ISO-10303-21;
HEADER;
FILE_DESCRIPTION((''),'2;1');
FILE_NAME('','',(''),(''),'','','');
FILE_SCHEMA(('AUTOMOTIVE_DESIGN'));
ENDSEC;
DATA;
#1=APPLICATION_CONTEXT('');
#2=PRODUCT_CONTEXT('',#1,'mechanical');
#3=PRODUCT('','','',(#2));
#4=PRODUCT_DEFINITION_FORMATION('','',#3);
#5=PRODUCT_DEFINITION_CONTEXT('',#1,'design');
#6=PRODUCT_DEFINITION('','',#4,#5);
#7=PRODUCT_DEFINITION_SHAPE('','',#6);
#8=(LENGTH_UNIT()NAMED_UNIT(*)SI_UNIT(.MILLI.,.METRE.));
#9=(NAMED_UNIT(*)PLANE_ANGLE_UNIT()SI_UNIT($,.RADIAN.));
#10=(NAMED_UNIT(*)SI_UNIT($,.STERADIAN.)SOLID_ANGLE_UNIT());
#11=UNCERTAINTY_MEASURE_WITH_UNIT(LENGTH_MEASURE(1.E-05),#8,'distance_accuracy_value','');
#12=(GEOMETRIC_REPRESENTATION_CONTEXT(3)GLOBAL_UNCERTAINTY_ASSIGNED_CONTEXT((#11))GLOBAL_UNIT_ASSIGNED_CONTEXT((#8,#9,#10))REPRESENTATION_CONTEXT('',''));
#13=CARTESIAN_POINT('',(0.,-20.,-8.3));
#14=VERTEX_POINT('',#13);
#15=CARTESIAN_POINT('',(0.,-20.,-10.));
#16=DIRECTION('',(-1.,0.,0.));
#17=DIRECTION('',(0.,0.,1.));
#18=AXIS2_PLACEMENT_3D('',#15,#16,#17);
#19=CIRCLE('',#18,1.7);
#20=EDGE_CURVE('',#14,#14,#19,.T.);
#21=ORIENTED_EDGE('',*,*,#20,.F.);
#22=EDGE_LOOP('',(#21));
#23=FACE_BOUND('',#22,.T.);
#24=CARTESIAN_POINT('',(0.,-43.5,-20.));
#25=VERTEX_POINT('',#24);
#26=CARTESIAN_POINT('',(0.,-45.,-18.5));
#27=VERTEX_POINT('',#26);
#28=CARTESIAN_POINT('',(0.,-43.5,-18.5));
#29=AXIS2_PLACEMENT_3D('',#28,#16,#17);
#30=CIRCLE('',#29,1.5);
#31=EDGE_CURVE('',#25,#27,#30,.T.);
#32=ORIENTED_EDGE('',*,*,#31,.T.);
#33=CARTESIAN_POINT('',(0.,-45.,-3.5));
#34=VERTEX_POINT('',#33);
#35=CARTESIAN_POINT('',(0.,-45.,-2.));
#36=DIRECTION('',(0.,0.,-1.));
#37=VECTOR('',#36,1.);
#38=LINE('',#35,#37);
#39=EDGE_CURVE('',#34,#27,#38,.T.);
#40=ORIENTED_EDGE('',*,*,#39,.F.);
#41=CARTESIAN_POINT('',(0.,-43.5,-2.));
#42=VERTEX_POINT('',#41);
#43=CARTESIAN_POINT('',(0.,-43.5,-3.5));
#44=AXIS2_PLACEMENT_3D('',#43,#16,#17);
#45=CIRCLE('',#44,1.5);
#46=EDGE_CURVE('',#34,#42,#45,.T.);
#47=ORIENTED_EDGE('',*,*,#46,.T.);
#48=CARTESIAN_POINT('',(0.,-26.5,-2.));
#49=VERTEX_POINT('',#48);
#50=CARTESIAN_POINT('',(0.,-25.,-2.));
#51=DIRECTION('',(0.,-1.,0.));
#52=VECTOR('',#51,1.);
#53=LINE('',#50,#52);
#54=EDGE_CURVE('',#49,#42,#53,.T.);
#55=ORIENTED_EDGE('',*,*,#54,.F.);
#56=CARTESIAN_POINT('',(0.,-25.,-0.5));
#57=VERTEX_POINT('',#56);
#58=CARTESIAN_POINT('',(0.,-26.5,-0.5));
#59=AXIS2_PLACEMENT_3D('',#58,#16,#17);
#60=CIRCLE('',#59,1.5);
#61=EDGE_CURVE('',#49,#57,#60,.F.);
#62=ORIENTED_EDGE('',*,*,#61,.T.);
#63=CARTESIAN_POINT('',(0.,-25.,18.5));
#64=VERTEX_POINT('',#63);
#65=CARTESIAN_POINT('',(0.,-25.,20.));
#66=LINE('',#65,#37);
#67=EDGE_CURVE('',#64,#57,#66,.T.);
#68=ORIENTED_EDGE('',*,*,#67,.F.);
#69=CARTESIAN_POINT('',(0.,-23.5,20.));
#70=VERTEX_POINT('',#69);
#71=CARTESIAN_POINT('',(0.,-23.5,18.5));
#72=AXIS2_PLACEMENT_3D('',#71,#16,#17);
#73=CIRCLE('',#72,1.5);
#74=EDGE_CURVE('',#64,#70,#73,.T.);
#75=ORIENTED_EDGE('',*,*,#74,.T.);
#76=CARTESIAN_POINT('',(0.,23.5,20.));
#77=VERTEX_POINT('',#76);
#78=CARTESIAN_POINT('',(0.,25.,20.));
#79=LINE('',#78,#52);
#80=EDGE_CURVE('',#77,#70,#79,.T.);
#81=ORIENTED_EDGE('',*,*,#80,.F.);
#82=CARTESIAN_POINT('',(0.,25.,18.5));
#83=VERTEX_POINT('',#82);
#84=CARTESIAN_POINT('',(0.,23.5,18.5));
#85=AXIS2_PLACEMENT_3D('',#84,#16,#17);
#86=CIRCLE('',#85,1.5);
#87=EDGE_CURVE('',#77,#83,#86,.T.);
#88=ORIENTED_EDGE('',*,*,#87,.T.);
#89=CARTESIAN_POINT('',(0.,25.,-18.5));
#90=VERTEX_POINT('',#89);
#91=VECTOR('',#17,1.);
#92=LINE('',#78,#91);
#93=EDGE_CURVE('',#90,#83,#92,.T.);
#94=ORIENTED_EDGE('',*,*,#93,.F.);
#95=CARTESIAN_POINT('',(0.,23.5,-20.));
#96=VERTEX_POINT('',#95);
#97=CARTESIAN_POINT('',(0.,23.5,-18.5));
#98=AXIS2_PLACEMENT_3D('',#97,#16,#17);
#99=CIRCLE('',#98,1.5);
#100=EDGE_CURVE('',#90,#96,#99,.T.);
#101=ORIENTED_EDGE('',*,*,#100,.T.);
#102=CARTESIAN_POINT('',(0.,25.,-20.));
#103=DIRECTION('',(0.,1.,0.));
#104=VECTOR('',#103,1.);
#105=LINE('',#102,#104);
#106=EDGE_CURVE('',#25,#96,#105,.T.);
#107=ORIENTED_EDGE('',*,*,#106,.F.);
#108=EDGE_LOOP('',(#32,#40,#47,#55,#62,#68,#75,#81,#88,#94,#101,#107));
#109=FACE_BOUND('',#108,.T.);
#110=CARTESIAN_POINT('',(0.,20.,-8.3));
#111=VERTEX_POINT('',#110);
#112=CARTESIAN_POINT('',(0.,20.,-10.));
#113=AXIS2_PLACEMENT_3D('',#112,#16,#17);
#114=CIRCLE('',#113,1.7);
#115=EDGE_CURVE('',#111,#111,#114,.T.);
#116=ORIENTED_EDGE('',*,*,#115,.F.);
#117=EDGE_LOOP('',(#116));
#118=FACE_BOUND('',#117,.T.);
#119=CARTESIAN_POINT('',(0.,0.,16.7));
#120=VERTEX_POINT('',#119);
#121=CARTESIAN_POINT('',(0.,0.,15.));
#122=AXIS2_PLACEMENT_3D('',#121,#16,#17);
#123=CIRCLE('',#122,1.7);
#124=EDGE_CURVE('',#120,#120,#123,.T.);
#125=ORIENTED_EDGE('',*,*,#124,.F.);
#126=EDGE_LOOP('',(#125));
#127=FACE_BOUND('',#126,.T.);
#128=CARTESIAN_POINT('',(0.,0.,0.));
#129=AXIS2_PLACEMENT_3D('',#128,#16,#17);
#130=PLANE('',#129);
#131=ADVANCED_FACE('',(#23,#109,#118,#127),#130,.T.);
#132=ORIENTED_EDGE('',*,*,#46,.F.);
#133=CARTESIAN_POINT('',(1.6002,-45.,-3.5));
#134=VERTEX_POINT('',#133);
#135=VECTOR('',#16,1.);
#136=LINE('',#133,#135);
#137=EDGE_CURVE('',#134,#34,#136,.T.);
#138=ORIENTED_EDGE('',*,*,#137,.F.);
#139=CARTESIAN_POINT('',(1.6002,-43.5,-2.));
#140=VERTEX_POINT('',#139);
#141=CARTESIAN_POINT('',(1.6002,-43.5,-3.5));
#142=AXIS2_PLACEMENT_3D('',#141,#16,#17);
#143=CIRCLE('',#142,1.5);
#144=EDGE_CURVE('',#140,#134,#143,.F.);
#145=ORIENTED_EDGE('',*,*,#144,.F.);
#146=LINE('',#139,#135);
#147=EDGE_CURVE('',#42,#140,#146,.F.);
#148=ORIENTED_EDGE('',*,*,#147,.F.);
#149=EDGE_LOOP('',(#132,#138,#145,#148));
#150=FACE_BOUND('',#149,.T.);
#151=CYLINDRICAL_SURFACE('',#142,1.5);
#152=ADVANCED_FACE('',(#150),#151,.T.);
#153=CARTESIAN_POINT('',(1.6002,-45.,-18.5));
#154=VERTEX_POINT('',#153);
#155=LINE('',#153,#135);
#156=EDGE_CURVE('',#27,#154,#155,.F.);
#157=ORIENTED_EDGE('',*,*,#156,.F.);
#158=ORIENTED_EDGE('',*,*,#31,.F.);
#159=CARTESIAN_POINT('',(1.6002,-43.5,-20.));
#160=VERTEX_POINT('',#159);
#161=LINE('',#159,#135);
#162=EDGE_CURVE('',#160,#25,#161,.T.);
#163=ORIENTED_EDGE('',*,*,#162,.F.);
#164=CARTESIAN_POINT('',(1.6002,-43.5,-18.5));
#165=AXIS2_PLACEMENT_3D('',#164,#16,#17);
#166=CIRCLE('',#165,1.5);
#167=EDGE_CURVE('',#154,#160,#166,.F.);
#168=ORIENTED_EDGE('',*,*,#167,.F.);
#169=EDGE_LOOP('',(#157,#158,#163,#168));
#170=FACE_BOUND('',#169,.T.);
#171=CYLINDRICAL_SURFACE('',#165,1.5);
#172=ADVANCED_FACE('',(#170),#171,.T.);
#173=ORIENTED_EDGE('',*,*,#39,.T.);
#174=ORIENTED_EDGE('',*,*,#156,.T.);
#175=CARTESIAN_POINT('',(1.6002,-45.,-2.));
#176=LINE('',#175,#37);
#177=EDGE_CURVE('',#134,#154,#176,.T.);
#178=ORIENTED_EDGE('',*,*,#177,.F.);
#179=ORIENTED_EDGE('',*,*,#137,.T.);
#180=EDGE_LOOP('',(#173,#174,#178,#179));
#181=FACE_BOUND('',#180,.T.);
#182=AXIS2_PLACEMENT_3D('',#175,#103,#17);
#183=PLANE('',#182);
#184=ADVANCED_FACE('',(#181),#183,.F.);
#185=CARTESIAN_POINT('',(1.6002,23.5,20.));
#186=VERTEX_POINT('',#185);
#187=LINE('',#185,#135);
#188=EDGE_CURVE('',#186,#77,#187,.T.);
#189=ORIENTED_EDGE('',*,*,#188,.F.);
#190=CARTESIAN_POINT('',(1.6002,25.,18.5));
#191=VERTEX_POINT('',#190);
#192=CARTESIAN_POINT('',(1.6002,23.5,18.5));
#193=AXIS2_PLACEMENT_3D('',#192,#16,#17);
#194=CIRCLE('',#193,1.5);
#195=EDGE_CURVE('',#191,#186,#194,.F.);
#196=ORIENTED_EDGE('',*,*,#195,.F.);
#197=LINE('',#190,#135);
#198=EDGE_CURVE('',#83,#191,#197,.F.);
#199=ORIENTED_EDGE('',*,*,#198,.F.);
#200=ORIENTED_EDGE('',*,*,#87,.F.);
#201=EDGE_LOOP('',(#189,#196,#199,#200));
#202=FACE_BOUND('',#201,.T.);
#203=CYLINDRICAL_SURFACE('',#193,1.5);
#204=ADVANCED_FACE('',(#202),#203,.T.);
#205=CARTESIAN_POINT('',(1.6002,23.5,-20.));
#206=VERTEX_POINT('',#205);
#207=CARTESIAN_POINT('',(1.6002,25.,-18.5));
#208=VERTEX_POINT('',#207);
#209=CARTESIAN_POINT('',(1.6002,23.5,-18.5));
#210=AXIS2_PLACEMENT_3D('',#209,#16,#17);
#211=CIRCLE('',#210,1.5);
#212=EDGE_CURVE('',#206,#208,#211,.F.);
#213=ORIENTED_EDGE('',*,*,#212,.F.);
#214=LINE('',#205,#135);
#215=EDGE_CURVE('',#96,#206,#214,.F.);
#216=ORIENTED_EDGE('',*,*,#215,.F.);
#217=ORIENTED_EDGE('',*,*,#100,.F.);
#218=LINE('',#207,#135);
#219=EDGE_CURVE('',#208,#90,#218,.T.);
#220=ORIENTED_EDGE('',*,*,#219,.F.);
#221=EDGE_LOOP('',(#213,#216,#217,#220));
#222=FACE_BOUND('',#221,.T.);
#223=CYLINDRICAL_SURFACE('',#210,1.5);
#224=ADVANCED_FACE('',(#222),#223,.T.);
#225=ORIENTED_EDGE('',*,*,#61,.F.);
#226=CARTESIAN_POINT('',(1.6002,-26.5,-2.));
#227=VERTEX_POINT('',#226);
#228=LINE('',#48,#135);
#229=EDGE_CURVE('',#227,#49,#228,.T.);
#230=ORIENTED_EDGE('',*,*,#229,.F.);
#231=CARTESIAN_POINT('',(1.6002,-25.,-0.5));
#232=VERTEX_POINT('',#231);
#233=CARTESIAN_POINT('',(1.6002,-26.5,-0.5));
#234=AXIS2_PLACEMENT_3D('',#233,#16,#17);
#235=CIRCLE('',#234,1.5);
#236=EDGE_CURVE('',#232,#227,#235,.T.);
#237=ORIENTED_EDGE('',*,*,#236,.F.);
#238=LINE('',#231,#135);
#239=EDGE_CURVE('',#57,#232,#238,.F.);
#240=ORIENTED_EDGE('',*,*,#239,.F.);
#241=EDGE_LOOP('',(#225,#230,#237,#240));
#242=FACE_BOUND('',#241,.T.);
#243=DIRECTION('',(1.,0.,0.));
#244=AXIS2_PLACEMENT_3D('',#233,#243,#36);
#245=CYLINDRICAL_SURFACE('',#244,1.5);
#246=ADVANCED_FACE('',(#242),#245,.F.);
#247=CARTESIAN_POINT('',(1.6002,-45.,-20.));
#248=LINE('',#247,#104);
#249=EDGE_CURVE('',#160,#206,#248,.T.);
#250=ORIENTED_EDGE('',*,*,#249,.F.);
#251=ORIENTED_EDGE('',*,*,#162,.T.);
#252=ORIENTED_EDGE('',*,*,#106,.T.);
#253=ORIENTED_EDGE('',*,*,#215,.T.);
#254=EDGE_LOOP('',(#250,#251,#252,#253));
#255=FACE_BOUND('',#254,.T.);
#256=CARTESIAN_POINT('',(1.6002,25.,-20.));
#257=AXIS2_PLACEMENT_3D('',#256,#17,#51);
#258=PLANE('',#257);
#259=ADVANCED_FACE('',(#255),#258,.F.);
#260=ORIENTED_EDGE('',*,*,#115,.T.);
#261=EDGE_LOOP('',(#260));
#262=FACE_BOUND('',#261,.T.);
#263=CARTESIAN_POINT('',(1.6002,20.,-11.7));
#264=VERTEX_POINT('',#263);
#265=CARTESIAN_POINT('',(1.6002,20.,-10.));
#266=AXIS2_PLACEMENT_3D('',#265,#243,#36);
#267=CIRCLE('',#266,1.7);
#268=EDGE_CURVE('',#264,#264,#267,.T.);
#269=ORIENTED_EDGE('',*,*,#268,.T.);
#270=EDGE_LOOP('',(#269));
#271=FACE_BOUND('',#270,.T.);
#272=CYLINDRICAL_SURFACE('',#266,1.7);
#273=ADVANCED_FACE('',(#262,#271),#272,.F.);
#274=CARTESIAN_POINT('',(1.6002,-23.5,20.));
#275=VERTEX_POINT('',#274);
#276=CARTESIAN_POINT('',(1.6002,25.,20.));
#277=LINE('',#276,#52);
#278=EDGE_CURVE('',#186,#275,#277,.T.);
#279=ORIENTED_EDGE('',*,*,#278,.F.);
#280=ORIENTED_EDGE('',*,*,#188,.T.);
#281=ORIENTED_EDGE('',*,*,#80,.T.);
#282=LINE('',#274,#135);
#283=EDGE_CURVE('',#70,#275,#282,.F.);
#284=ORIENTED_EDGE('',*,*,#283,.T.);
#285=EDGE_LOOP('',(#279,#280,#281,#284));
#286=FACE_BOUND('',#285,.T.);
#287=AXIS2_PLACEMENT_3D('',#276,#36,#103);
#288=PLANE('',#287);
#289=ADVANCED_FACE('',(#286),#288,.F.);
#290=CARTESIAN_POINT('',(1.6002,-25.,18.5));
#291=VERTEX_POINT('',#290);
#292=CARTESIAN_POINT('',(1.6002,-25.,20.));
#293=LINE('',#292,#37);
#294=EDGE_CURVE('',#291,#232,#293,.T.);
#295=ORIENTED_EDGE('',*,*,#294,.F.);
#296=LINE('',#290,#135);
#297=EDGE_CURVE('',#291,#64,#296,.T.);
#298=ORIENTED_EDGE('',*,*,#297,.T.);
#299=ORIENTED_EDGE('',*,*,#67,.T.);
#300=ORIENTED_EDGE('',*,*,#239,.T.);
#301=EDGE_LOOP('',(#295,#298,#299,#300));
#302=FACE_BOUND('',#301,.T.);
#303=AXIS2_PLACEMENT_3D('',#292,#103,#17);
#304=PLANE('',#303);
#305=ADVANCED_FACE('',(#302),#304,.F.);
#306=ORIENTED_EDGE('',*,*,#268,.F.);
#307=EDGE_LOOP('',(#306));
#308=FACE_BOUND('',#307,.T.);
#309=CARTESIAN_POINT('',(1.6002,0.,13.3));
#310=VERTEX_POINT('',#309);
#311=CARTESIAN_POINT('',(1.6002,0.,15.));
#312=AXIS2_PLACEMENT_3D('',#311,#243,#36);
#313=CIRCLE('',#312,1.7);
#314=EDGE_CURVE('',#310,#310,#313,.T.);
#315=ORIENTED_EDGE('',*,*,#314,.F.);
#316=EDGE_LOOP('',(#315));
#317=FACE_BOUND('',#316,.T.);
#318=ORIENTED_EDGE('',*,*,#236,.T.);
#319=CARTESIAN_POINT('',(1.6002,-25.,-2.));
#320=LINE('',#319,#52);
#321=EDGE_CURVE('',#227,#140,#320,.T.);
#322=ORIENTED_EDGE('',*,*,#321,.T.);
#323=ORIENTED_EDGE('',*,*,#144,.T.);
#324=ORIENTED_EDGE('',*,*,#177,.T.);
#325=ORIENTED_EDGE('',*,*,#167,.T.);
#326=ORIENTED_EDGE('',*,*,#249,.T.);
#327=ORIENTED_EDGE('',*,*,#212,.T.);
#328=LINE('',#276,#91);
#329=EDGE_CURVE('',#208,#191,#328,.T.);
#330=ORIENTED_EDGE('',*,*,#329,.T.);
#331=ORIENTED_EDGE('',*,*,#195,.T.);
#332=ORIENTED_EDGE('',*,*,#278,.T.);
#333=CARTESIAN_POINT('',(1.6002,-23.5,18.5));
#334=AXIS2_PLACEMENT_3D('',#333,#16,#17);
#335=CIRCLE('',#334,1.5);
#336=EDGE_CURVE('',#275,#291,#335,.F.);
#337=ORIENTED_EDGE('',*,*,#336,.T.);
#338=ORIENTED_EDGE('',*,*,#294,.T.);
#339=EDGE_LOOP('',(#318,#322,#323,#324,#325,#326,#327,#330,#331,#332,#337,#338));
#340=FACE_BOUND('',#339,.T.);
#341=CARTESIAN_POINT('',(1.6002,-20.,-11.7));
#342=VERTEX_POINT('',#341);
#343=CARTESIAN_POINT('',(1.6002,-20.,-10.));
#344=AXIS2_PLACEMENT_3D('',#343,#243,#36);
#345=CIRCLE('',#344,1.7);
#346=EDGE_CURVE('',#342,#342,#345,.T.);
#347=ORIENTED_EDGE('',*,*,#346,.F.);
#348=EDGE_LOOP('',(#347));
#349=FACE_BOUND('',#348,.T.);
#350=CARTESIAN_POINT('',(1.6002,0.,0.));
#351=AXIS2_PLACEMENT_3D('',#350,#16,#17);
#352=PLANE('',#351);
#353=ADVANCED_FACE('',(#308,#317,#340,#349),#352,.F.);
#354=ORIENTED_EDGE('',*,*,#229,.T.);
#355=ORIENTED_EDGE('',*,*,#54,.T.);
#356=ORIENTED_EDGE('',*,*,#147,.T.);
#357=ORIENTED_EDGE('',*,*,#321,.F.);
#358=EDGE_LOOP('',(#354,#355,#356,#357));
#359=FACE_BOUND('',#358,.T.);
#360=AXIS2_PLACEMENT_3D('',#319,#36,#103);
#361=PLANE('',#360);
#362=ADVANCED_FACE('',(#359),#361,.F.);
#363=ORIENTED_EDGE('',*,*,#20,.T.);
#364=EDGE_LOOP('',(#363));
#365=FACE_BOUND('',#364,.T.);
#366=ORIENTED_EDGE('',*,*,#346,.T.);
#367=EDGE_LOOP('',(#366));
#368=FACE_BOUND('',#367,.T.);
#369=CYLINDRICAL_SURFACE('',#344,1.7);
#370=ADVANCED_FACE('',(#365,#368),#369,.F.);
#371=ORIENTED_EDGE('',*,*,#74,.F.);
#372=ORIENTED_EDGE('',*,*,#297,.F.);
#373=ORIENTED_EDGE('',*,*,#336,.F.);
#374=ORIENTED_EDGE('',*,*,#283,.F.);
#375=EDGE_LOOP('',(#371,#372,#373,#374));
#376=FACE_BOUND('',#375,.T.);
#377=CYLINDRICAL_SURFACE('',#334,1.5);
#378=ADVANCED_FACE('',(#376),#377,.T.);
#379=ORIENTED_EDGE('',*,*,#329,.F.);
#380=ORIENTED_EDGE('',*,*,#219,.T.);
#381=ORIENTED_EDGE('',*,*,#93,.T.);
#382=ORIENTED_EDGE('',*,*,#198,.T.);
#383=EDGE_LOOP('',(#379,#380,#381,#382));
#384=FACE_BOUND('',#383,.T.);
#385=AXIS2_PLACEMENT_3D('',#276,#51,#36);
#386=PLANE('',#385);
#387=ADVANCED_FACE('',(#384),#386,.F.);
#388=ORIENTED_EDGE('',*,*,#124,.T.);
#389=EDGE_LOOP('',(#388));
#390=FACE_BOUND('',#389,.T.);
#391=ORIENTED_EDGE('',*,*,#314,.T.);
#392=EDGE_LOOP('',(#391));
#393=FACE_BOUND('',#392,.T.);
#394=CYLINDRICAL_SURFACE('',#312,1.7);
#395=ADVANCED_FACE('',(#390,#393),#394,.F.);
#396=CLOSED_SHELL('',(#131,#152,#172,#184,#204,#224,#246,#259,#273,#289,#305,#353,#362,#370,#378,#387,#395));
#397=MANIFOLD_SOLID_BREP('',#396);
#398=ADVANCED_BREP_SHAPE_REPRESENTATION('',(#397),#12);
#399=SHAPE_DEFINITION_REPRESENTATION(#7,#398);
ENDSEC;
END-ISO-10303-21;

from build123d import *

# Parameters (mm, degrees)
BOSS_EXTRUDE1_DEPTH      = 1.6002
M3_CLEARANCE_HOLE1_D     = 3.4
M3_CLEARANCE_HOLE1_DEPTH = 6
M3_CLEARANCE_HOLE1_TIP   = 1.021463052
FILLET1_R                = 1.5


with BuildPart() as part:
    # Sketch1 → Boss-Extrude1 (new body)
    with BuildSketch(Plane(origin=(0, 0, 0), x_dir=(0, 0, -1), z_dir=(1, 0, 0))):
        Polygon((-20, 25), (20, 25), (20, -25), (20, -45), (2, -45), (2, -25), (-20, -25), align=None)
    extrude(amount=BOSS_EXTRUDE1_DEPTH)

    # M3 Clearance Hole1
    with Locations(Plane(origin=(1.6002, 0, 0), x_dir=(0, 0, -1), z_dir=(1, 0, 0))):
        with Locations((10, 20), (10, -20), (-15, 0)):
            Hole(M3_CLEARANCE_HOLE1_D / 2, depth=M3_CLEARANCE_HOLE1_DEPTH)
            with Locations((0, 0, -(M3_CLEARANCE_HOLE1_DEPTH + M3_CLEARANCE_HOLE1_TIP / 2))):  # 118° drill point
                Cone(0, M3_CLEARANCE_HOLE1_D / 2, M3_CLEARANCE_HOLE1_TIP, mode=Mode.SUBTRACT)

    # Fillet1
    fillet1_edges = [part.edges().sort_by_distance(p)[0] for p in [
        (0.8001, -45, -20),
        (0.8001, -45, -2),
        (0.8001, -25, -2),
        (0.8001, -25, 20),
        (0.8001, 25, 20),
        (0.8001, 25, -20),
    ]]
    fillet(fillet1_edges, radius=FILLET1_R)


solid = part.part
